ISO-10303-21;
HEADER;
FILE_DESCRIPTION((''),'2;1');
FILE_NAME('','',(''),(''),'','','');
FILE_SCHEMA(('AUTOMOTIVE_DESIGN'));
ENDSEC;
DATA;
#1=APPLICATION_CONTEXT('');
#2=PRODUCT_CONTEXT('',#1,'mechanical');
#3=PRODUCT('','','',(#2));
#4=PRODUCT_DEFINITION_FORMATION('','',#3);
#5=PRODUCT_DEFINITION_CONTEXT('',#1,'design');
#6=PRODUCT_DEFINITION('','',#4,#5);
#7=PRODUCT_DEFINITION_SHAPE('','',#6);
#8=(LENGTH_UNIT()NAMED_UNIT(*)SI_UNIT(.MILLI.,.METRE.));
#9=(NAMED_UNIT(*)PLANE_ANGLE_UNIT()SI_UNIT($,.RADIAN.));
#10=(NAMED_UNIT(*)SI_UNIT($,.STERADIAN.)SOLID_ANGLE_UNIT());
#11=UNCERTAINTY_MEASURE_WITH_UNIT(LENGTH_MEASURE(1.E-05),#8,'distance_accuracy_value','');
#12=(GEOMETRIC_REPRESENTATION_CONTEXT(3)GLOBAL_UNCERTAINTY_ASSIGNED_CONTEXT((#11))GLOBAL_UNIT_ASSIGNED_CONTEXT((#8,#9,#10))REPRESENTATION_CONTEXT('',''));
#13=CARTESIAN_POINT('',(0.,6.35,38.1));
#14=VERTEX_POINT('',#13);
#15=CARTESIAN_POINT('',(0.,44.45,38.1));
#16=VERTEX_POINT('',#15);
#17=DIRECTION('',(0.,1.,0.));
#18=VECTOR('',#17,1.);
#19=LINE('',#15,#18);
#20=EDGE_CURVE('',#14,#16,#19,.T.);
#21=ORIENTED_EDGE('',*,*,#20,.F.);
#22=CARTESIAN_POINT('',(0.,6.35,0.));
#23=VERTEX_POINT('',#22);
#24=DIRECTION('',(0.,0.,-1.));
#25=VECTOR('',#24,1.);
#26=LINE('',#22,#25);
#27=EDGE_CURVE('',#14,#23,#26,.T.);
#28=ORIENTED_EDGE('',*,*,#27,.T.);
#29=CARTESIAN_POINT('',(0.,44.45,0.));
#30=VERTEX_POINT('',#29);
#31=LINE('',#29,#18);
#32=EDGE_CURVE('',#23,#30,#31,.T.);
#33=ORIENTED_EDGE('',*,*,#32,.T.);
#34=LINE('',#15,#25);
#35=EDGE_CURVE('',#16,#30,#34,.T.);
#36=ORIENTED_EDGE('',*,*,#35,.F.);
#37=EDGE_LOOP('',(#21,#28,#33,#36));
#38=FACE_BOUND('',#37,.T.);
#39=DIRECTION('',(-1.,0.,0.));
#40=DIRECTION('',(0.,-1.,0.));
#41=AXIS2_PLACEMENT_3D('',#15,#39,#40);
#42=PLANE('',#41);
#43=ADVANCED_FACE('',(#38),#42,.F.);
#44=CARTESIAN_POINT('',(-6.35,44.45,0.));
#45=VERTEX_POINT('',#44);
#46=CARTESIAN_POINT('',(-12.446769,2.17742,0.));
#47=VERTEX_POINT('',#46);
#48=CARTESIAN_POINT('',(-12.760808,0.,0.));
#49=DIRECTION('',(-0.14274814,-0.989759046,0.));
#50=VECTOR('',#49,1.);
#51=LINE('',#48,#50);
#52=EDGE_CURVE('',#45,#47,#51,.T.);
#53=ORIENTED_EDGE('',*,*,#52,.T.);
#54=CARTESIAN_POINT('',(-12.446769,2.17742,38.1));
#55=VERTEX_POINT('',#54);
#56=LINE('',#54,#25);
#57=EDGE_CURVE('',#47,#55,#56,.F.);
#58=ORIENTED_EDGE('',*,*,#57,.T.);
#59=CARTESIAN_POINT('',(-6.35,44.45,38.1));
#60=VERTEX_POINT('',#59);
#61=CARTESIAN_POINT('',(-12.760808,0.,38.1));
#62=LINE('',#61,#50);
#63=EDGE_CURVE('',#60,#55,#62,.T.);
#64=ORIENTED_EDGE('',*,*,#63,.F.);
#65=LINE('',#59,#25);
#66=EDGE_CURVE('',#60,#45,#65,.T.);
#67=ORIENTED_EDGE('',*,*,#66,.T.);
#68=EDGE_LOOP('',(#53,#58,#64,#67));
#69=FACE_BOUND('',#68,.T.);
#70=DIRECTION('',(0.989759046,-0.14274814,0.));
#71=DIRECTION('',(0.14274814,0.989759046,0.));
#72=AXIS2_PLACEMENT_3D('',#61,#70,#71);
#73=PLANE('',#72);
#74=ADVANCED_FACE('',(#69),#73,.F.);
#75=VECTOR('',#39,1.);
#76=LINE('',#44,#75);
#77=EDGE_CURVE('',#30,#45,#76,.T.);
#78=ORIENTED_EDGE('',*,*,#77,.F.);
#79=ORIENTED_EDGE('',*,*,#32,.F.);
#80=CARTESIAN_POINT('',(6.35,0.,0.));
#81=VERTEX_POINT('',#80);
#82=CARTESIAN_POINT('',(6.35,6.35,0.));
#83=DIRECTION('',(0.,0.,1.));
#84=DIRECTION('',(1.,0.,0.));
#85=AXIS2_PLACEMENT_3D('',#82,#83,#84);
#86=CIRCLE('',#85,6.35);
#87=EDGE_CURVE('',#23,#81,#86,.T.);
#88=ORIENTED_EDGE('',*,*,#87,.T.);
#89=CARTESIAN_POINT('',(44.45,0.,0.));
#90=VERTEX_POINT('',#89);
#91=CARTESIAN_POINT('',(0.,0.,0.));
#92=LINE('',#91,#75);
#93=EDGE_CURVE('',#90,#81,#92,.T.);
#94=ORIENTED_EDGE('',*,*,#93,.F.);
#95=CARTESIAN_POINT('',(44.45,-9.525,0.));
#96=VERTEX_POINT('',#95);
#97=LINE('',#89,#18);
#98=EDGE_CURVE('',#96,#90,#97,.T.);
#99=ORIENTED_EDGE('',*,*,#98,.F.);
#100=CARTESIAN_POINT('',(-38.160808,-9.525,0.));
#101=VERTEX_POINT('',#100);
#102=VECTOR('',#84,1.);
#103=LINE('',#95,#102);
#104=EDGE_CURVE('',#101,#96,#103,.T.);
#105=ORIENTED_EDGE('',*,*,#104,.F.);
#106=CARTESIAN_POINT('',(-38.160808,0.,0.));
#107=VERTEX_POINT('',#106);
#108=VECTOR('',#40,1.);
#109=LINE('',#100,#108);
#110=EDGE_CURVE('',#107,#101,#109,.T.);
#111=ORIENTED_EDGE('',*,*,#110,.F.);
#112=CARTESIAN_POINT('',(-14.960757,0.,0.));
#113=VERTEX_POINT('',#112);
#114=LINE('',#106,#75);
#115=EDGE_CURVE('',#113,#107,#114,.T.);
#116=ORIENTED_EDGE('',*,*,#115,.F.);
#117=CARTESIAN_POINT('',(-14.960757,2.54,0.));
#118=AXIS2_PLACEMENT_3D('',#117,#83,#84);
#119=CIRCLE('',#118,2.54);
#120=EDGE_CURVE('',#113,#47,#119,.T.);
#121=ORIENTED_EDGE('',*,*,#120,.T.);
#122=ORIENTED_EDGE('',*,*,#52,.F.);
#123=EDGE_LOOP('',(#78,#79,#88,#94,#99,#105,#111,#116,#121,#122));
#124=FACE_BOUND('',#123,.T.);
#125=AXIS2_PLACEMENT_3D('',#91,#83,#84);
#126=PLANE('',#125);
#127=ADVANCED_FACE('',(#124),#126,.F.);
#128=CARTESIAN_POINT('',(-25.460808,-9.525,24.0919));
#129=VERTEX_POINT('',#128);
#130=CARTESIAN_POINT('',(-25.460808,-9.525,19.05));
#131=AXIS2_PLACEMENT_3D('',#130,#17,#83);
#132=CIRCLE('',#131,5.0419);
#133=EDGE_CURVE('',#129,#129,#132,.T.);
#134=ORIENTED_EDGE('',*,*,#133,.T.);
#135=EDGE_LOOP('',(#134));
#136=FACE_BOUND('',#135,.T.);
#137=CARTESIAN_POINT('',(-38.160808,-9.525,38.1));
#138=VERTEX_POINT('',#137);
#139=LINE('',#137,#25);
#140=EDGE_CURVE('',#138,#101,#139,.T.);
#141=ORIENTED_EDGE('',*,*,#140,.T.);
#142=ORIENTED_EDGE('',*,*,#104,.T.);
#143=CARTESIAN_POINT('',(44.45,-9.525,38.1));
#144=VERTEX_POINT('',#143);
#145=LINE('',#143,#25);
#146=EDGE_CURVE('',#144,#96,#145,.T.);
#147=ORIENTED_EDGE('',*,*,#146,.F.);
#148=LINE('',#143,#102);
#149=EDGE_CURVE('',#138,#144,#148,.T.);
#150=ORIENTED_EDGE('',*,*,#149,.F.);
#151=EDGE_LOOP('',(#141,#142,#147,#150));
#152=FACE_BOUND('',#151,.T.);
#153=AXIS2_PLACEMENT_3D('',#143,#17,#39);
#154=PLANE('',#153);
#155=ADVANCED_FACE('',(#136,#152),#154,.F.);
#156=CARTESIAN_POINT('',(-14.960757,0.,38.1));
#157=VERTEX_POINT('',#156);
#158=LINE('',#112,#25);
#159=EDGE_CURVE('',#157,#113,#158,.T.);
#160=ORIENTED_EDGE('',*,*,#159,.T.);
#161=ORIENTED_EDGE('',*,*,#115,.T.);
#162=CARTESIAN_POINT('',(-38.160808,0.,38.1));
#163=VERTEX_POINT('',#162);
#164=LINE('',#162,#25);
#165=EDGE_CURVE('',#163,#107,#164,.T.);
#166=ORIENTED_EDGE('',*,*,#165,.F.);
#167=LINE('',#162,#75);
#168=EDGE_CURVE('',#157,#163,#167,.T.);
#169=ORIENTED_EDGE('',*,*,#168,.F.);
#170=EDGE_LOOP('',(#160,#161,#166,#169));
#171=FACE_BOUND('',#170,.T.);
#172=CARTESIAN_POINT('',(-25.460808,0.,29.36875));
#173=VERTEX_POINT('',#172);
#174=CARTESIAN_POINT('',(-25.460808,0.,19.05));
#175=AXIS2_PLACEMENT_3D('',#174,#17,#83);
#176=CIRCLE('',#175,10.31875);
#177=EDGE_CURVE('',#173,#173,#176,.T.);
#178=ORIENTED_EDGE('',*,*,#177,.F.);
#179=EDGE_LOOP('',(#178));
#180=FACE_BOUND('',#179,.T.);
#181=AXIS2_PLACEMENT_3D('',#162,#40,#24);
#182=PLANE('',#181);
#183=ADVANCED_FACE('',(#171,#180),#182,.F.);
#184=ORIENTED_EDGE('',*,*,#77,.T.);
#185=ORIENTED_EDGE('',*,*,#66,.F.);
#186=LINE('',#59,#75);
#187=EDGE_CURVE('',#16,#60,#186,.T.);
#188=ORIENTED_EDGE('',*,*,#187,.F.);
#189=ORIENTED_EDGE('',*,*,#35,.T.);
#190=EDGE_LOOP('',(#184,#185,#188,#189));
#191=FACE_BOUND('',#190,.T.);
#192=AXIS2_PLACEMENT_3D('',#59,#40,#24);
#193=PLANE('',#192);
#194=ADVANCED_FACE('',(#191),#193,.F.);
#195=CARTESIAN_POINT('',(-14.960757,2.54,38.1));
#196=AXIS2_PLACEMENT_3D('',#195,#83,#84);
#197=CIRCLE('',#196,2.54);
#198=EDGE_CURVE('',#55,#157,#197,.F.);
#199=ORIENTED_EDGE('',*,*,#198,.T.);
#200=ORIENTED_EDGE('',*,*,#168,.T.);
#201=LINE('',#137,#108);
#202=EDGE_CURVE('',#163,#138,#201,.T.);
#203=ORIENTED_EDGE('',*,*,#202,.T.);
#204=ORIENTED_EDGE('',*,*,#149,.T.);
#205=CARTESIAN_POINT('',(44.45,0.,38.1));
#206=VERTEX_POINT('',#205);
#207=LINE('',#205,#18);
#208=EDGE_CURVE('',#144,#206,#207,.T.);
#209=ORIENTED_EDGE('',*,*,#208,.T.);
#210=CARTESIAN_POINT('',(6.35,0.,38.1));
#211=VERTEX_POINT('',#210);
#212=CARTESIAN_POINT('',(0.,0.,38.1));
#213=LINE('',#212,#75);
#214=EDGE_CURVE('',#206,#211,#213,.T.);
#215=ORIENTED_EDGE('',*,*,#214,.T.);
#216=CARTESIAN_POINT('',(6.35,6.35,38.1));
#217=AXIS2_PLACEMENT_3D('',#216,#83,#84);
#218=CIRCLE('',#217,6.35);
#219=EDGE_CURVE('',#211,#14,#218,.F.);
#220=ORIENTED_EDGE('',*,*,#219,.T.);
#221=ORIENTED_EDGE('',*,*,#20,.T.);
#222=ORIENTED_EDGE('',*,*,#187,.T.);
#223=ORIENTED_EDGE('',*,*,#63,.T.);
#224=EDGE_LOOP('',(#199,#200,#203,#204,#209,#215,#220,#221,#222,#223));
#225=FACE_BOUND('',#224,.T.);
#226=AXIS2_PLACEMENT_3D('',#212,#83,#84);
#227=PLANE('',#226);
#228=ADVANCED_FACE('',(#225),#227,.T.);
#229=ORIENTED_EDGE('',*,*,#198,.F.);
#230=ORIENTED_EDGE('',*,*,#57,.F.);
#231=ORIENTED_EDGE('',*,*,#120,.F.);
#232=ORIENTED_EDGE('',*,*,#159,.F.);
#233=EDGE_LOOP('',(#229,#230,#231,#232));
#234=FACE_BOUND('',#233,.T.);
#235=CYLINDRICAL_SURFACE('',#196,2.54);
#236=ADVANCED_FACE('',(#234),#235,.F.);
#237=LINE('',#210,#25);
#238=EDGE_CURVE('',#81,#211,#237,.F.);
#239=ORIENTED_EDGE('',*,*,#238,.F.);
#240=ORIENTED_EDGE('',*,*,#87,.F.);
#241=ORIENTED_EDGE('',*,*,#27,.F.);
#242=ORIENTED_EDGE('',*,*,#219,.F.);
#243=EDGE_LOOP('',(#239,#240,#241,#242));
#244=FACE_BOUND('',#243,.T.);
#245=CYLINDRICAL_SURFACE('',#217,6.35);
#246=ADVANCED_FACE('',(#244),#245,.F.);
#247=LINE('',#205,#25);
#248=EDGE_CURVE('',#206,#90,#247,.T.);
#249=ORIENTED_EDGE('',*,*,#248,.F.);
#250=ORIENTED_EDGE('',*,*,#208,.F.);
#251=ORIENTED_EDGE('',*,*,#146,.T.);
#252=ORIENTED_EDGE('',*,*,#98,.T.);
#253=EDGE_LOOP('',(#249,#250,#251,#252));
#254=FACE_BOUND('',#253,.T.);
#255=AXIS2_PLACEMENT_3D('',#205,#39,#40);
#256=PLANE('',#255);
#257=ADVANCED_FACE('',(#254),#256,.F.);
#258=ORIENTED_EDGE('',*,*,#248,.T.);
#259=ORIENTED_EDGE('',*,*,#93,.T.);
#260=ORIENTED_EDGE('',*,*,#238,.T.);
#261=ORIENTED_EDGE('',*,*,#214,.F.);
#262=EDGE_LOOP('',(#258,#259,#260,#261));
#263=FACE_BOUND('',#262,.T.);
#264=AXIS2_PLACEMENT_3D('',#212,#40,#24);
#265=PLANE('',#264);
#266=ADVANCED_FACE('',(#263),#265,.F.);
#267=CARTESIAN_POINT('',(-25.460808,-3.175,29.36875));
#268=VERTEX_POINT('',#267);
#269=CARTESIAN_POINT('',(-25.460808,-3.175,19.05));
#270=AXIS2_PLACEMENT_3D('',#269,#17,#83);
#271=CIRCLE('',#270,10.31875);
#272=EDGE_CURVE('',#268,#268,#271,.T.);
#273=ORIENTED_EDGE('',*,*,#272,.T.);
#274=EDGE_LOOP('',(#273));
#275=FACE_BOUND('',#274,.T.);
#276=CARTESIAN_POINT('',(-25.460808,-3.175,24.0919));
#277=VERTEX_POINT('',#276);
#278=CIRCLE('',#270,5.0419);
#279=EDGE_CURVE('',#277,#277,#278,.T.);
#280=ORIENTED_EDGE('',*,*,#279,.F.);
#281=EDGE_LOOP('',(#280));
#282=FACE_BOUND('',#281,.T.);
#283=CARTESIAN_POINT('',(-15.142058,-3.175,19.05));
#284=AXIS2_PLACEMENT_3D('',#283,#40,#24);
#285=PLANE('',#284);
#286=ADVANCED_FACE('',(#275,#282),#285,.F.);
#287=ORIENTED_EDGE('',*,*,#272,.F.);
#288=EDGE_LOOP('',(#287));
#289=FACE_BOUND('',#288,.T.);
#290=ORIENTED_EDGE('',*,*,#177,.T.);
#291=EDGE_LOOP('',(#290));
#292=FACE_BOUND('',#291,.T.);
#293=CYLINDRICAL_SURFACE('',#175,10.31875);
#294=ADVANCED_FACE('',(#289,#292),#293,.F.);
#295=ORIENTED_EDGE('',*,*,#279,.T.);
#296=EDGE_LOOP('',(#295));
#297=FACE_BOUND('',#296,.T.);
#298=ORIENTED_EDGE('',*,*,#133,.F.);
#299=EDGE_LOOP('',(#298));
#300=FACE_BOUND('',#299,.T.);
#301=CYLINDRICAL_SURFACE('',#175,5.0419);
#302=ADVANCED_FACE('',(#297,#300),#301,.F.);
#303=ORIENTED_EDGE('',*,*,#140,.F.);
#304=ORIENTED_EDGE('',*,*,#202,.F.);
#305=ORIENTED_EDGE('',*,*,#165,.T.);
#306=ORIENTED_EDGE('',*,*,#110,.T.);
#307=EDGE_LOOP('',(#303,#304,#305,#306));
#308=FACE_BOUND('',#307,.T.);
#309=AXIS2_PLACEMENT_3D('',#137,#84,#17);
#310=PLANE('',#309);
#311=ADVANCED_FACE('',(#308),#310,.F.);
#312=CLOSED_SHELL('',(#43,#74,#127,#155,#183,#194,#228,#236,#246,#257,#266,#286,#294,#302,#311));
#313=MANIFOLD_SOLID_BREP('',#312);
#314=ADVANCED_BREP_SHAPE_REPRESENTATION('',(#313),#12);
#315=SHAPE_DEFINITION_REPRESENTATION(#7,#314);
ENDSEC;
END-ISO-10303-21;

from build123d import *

# Parameters (mm, degrees)
BOSS_EXTRUDE1_DEPTH                                  = 38.1
CBORE_FOR_3_8_BINDING_HEAD_MACHINE_SCREW_D           = 10.0838
CBORE_FOR_3_8_BINDING_HEAD_MACHINE_SCREW_CBORE_D     = 20.6375
CBORE_FOR_3_8_BINDING_HEAD_MACHINE_SCREW_CBORE_DEPTH = 3.175
FILLET1_R                                            = 2.54
FILLET2_R                                            = 6.35


with BuildPart() as part:
    # Sketch1 → Boss-Extrude1 (new body)
    with BuildSketch(Plane.XY):
        Polygon((0, 0), (44.45, 0), (44.45, -9.525), (-38.1608076, -9.525), (-38.1608076, 0), (-12.7608076, 0), (-6.35, 44.45), (0, 44.45), align=None)
    extrude(amount=BOSS_EXTRUDE1_DEPTH)

    # CBORE for 3/8 Binding Head Machine Screw1 (through all)
    with Locations(Plane(origin=(0, 0, 0), x_dir=(1, 0, 0), z_dir=(0, 1, 0))):
        with Locations((-25.4608076, -19.05)):
            CounterBoreHole(CBORE_FOR_3_8_BINDING_HEAD_MACHINE_SCREW_D / 2, CBORE_FOR_3_8_BINDING_HEAD_MACHINE_SCREW_CBORE_D / 2, CBORE_FOR_3_8_BINDING_HEAD_MACHINE_SCREW_CBORE_DEPTH)

    # Fillet1
    fillet1_edges = [part.edges().sort_by_distance(p)[0] for p in [
        (-12.7608076, 0, 19.05),
    ]]
    fillet(fillet1_edges, radius=FILLET1_R)

    # Fillet2
    fillet2_edges = [part.edges().sort_by_distance(p)[0] for p in [
        (0, 0, 19.05),
    ]]
    fillet(fillet2_edges, radius=FILLET2_R)


solid = part.part
